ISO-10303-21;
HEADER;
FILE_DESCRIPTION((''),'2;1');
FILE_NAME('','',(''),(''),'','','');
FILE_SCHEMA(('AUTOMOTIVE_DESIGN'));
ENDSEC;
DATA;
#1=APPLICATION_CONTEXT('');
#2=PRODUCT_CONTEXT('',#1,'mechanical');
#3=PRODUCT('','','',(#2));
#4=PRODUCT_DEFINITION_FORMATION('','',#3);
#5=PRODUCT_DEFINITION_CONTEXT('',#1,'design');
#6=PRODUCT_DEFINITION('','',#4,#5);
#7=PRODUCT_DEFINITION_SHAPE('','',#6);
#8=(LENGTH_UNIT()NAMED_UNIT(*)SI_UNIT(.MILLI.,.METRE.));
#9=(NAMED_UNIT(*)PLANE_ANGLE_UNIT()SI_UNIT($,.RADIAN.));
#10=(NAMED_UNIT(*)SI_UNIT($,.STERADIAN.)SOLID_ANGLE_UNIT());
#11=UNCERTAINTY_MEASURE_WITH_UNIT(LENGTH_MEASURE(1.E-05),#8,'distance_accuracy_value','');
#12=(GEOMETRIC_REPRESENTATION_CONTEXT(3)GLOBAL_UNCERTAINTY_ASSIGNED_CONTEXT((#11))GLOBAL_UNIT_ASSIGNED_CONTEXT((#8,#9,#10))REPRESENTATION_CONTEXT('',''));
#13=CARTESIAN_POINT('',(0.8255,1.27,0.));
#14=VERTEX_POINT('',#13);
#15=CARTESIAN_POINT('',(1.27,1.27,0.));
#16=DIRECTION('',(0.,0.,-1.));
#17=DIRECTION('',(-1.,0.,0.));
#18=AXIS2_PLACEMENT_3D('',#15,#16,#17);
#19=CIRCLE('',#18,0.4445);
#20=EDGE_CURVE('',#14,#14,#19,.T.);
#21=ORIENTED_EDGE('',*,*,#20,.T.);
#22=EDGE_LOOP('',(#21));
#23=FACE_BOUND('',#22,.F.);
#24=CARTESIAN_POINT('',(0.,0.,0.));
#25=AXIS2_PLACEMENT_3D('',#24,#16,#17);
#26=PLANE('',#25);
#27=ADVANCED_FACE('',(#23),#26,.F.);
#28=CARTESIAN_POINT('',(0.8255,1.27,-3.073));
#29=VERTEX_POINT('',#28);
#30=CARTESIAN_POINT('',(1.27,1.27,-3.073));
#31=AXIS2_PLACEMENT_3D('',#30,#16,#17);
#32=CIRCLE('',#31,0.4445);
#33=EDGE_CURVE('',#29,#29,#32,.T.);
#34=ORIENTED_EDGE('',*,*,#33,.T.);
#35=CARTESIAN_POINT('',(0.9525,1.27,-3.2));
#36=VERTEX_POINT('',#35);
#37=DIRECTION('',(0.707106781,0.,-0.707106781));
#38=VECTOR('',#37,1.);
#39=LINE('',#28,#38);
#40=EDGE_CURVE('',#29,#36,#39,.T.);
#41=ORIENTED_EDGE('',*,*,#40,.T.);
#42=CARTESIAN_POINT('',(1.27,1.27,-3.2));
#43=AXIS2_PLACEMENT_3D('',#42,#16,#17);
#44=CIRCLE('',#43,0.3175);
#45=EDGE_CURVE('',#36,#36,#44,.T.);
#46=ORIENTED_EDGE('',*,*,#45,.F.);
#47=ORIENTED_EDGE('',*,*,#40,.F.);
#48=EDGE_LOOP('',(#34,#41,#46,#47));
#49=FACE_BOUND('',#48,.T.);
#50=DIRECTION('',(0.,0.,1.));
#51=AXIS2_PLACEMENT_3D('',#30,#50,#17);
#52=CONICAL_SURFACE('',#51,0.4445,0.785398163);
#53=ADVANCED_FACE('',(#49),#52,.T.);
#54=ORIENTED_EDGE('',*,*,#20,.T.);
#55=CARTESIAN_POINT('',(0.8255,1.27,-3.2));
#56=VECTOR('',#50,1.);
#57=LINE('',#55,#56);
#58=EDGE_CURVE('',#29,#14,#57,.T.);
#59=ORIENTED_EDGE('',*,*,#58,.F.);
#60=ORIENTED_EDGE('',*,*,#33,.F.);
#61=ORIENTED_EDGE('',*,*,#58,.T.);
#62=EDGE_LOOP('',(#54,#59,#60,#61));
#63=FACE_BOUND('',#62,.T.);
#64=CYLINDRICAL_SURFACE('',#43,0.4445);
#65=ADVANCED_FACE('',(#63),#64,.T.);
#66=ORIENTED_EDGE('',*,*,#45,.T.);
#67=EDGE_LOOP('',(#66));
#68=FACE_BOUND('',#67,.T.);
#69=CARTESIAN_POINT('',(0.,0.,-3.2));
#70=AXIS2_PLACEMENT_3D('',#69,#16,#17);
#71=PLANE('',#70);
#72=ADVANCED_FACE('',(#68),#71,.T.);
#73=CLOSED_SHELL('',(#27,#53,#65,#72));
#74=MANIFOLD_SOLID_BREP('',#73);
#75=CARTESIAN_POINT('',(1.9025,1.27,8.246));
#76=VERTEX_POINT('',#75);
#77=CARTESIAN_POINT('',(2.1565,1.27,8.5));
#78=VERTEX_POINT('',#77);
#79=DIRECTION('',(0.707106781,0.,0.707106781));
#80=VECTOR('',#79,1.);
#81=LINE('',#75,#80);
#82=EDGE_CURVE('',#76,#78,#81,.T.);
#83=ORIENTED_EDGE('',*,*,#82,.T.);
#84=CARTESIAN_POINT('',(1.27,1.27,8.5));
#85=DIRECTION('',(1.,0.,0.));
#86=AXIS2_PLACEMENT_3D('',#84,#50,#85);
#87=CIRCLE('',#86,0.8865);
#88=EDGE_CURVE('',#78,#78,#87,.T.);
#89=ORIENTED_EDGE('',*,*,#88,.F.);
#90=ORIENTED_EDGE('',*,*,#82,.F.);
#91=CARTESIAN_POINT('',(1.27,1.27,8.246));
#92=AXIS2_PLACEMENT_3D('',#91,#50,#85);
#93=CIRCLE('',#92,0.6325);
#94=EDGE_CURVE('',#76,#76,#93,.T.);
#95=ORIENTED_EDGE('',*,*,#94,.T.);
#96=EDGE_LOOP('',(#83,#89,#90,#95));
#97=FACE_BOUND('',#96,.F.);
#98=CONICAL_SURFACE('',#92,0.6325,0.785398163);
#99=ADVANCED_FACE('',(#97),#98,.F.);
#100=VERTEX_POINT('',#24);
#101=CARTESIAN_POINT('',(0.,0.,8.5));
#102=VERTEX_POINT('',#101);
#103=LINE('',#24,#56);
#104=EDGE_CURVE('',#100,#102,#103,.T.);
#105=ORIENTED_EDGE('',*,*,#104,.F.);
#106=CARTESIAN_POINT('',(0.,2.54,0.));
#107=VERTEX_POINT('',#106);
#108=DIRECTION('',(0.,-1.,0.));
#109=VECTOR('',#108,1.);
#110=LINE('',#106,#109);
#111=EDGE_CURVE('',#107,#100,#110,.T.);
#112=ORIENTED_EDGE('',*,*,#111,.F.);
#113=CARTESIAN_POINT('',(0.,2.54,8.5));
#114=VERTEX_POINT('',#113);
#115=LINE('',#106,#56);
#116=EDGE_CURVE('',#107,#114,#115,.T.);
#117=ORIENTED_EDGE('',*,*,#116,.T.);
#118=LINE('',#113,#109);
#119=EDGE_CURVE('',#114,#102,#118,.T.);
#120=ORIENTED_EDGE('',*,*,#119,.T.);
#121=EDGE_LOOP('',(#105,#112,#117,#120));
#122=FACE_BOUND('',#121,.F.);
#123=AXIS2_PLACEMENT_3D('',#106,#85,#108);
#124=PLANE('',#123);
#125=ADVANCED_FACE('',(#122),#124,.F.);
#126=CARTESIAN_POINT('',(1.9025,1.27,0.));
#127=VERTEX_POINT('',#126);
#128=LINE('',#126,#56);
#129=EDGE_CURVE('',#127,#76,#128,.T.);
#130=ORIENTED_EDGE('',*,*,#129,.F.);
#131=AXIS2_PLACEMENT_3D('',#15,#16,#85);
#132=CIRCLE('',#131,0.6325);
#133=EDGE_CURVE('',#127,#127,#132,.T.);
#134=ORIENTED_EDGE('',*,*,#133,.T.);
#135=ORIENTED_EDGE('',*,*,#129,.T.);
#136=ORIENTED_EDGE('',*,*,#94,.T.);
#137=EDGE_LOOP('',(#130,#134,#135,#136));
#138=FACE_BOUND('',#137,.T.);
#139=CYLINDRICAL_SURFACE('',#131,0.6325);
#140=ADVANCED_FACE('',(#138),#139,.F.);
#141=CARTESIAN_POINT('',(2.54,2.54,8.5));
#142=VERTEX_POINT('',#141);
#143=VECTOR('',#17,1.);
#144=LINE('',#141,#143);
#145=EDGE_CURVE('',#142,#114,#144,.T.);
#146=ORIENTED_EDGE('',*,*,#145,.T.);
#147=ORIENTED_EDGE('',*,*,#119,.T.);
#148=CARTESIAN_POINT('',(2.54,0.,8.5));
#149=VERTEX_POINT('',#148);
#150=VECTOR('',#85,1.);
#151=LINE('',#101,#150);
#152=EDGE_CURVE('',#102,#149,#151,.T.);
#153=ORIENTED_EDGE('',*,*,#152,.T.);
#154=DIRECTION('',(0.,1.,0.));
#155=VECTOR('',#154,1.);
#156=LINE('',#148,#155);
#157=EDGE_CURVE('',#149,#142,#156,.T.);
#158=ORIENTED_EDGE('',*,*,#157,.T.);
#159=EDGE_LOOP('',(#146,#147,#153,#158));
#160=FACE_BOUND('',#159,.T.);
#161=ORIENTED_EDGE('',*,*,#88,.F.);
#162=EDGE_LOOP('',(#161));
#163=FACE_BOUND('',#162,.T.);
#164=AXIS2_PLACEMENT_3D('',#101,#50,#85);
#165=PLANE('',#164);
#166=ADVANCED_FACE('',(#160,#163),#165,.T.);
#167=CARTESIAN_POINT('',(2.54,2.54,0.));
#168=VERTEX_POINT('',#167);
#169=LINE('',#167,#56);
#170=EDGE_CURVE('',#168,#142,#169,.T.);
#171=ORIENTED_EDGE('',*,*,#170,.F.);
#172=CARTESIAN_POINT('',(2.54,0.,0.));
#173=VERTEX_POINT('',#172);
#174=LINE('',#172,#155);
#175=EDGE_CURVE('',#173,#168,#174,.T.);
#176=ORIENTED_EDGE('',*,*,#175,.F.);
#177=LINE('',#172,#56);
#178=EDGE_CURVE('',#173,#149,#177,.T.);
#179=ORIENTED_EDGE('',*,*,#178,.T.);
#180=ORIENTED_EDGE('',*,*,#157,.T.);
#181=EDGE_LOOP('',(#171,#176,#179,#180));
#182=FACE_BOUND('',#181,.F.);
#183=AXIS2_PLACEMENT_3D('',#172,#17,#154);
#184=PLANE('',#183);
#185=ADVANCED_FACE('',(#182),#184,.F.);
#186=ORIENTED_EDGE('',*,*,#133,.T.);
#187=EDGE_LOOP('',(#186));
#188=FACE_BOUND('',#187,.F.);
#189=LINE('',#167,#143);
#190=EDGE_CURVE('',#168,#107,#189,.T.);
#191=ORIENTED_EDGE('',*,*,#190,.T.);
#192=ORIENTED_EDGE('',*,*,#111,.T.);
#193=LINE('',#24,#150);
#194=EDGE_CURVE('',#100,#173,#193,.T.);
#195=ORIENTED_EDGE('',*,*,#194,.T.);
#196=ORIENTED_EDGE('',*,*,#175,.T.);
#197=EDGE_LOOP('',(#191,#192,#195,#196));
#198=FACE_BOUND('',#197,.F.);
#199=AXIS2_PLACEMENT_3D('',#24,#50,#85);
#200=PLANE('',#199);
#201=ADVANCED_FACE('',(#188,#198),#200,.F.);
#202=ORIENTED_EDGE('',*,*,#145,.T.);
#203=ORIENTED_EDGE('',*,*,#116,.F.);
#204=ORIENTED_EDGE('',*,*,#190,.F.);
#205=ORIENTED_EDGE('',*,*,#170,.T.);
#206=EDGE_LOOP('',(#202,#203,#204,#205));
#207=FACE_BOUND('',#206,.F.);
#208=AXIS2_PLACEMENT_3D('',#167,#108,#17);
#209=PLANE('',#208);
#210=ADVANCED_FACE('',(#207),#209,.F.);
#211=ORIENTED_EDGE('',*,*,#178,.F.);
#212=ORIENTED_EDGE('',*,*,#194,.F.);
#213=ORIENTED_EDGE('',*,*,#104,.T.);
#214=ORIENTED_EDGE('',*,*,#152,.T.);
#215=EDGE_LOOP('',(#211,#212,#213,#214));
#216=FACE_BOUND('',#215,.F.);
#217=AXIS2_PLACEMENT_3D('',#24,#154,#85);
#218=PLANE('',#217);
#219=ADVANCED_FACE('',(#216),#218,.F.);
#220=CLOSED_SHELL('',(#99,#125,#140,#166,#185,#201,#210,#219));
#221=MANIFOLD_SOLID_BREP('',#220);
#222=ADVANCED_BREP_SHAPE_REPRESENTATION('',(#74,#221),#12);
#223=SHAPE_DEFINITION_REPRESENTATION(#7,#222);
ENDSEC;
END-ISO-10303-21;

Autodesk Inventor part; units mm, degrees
ref_plane "YZ Plane" through (0, 0, 0) normal (1, 0, 0) x (0, 1, 0)
ref_plane "XZ Plane" through (0, 0, 0) normal (0, 1, 0) x (-1, 0, 0)
ref_plane "XY Plane" through (0, 0, 0) normal (0, 0, 1) x (1, 0, 0)
sketch "Sketch1" plane through (0, 0, 0) normal (0, 0, 1) x (1, 0, 0)
  line L0 (0, 0) -> (2.54, 0)
  line L1 (2.54, 0) -> (2.54, 2.54)
  line L2 (2.54, 2.54) -> (0, 2.54)
  line L3 (0, 2.54) -> (0, 0)
  circle A0 centre (1.27, 1.27) radius 0.6325
  point P0 (1.27, 2.54)
  point P1 (2.54, 1.27)
  dimension "d0" = 2.54
  dimension "d1" = 2.54
extrude "Extrusion1" add sketch "Sketch1" along normal blind 8.5
chamfer "Chamfer1" distance 0.254 angle 45 1 edges at (0.6375, 1.27, 8.5)
sketch "Sketch2" plane through (0, 0, 0) normal (0, 0, -1) x (-1, 0, 0)
  circle A0 centre (-1.27, 1.27) radius 0.6325 projected
  point P0 (0, 0)
extrude "Extrusion2" add sketch "Sketch2" along normal blind 3.2
sketch "Sketch4" plane through (1.27, 1.27, -3.2) normal (0, 0, -1) x (-1, 0, 0)
  circle A0 centre (0, 0) radius 0.4445
  circle A1 centre (0, 0) radius 1.2214
  point P0 (1.27, -1.27)
  dimension "d15" = 0.889
extrude "Extrusion4" cut sketch "Sketch4" against normal blind 3.2
chamfer "Chamfer3" distance 0.127 angle 45 1 edges at (1.7145, 1.27, -3.2)
properties part number "Female Header"
